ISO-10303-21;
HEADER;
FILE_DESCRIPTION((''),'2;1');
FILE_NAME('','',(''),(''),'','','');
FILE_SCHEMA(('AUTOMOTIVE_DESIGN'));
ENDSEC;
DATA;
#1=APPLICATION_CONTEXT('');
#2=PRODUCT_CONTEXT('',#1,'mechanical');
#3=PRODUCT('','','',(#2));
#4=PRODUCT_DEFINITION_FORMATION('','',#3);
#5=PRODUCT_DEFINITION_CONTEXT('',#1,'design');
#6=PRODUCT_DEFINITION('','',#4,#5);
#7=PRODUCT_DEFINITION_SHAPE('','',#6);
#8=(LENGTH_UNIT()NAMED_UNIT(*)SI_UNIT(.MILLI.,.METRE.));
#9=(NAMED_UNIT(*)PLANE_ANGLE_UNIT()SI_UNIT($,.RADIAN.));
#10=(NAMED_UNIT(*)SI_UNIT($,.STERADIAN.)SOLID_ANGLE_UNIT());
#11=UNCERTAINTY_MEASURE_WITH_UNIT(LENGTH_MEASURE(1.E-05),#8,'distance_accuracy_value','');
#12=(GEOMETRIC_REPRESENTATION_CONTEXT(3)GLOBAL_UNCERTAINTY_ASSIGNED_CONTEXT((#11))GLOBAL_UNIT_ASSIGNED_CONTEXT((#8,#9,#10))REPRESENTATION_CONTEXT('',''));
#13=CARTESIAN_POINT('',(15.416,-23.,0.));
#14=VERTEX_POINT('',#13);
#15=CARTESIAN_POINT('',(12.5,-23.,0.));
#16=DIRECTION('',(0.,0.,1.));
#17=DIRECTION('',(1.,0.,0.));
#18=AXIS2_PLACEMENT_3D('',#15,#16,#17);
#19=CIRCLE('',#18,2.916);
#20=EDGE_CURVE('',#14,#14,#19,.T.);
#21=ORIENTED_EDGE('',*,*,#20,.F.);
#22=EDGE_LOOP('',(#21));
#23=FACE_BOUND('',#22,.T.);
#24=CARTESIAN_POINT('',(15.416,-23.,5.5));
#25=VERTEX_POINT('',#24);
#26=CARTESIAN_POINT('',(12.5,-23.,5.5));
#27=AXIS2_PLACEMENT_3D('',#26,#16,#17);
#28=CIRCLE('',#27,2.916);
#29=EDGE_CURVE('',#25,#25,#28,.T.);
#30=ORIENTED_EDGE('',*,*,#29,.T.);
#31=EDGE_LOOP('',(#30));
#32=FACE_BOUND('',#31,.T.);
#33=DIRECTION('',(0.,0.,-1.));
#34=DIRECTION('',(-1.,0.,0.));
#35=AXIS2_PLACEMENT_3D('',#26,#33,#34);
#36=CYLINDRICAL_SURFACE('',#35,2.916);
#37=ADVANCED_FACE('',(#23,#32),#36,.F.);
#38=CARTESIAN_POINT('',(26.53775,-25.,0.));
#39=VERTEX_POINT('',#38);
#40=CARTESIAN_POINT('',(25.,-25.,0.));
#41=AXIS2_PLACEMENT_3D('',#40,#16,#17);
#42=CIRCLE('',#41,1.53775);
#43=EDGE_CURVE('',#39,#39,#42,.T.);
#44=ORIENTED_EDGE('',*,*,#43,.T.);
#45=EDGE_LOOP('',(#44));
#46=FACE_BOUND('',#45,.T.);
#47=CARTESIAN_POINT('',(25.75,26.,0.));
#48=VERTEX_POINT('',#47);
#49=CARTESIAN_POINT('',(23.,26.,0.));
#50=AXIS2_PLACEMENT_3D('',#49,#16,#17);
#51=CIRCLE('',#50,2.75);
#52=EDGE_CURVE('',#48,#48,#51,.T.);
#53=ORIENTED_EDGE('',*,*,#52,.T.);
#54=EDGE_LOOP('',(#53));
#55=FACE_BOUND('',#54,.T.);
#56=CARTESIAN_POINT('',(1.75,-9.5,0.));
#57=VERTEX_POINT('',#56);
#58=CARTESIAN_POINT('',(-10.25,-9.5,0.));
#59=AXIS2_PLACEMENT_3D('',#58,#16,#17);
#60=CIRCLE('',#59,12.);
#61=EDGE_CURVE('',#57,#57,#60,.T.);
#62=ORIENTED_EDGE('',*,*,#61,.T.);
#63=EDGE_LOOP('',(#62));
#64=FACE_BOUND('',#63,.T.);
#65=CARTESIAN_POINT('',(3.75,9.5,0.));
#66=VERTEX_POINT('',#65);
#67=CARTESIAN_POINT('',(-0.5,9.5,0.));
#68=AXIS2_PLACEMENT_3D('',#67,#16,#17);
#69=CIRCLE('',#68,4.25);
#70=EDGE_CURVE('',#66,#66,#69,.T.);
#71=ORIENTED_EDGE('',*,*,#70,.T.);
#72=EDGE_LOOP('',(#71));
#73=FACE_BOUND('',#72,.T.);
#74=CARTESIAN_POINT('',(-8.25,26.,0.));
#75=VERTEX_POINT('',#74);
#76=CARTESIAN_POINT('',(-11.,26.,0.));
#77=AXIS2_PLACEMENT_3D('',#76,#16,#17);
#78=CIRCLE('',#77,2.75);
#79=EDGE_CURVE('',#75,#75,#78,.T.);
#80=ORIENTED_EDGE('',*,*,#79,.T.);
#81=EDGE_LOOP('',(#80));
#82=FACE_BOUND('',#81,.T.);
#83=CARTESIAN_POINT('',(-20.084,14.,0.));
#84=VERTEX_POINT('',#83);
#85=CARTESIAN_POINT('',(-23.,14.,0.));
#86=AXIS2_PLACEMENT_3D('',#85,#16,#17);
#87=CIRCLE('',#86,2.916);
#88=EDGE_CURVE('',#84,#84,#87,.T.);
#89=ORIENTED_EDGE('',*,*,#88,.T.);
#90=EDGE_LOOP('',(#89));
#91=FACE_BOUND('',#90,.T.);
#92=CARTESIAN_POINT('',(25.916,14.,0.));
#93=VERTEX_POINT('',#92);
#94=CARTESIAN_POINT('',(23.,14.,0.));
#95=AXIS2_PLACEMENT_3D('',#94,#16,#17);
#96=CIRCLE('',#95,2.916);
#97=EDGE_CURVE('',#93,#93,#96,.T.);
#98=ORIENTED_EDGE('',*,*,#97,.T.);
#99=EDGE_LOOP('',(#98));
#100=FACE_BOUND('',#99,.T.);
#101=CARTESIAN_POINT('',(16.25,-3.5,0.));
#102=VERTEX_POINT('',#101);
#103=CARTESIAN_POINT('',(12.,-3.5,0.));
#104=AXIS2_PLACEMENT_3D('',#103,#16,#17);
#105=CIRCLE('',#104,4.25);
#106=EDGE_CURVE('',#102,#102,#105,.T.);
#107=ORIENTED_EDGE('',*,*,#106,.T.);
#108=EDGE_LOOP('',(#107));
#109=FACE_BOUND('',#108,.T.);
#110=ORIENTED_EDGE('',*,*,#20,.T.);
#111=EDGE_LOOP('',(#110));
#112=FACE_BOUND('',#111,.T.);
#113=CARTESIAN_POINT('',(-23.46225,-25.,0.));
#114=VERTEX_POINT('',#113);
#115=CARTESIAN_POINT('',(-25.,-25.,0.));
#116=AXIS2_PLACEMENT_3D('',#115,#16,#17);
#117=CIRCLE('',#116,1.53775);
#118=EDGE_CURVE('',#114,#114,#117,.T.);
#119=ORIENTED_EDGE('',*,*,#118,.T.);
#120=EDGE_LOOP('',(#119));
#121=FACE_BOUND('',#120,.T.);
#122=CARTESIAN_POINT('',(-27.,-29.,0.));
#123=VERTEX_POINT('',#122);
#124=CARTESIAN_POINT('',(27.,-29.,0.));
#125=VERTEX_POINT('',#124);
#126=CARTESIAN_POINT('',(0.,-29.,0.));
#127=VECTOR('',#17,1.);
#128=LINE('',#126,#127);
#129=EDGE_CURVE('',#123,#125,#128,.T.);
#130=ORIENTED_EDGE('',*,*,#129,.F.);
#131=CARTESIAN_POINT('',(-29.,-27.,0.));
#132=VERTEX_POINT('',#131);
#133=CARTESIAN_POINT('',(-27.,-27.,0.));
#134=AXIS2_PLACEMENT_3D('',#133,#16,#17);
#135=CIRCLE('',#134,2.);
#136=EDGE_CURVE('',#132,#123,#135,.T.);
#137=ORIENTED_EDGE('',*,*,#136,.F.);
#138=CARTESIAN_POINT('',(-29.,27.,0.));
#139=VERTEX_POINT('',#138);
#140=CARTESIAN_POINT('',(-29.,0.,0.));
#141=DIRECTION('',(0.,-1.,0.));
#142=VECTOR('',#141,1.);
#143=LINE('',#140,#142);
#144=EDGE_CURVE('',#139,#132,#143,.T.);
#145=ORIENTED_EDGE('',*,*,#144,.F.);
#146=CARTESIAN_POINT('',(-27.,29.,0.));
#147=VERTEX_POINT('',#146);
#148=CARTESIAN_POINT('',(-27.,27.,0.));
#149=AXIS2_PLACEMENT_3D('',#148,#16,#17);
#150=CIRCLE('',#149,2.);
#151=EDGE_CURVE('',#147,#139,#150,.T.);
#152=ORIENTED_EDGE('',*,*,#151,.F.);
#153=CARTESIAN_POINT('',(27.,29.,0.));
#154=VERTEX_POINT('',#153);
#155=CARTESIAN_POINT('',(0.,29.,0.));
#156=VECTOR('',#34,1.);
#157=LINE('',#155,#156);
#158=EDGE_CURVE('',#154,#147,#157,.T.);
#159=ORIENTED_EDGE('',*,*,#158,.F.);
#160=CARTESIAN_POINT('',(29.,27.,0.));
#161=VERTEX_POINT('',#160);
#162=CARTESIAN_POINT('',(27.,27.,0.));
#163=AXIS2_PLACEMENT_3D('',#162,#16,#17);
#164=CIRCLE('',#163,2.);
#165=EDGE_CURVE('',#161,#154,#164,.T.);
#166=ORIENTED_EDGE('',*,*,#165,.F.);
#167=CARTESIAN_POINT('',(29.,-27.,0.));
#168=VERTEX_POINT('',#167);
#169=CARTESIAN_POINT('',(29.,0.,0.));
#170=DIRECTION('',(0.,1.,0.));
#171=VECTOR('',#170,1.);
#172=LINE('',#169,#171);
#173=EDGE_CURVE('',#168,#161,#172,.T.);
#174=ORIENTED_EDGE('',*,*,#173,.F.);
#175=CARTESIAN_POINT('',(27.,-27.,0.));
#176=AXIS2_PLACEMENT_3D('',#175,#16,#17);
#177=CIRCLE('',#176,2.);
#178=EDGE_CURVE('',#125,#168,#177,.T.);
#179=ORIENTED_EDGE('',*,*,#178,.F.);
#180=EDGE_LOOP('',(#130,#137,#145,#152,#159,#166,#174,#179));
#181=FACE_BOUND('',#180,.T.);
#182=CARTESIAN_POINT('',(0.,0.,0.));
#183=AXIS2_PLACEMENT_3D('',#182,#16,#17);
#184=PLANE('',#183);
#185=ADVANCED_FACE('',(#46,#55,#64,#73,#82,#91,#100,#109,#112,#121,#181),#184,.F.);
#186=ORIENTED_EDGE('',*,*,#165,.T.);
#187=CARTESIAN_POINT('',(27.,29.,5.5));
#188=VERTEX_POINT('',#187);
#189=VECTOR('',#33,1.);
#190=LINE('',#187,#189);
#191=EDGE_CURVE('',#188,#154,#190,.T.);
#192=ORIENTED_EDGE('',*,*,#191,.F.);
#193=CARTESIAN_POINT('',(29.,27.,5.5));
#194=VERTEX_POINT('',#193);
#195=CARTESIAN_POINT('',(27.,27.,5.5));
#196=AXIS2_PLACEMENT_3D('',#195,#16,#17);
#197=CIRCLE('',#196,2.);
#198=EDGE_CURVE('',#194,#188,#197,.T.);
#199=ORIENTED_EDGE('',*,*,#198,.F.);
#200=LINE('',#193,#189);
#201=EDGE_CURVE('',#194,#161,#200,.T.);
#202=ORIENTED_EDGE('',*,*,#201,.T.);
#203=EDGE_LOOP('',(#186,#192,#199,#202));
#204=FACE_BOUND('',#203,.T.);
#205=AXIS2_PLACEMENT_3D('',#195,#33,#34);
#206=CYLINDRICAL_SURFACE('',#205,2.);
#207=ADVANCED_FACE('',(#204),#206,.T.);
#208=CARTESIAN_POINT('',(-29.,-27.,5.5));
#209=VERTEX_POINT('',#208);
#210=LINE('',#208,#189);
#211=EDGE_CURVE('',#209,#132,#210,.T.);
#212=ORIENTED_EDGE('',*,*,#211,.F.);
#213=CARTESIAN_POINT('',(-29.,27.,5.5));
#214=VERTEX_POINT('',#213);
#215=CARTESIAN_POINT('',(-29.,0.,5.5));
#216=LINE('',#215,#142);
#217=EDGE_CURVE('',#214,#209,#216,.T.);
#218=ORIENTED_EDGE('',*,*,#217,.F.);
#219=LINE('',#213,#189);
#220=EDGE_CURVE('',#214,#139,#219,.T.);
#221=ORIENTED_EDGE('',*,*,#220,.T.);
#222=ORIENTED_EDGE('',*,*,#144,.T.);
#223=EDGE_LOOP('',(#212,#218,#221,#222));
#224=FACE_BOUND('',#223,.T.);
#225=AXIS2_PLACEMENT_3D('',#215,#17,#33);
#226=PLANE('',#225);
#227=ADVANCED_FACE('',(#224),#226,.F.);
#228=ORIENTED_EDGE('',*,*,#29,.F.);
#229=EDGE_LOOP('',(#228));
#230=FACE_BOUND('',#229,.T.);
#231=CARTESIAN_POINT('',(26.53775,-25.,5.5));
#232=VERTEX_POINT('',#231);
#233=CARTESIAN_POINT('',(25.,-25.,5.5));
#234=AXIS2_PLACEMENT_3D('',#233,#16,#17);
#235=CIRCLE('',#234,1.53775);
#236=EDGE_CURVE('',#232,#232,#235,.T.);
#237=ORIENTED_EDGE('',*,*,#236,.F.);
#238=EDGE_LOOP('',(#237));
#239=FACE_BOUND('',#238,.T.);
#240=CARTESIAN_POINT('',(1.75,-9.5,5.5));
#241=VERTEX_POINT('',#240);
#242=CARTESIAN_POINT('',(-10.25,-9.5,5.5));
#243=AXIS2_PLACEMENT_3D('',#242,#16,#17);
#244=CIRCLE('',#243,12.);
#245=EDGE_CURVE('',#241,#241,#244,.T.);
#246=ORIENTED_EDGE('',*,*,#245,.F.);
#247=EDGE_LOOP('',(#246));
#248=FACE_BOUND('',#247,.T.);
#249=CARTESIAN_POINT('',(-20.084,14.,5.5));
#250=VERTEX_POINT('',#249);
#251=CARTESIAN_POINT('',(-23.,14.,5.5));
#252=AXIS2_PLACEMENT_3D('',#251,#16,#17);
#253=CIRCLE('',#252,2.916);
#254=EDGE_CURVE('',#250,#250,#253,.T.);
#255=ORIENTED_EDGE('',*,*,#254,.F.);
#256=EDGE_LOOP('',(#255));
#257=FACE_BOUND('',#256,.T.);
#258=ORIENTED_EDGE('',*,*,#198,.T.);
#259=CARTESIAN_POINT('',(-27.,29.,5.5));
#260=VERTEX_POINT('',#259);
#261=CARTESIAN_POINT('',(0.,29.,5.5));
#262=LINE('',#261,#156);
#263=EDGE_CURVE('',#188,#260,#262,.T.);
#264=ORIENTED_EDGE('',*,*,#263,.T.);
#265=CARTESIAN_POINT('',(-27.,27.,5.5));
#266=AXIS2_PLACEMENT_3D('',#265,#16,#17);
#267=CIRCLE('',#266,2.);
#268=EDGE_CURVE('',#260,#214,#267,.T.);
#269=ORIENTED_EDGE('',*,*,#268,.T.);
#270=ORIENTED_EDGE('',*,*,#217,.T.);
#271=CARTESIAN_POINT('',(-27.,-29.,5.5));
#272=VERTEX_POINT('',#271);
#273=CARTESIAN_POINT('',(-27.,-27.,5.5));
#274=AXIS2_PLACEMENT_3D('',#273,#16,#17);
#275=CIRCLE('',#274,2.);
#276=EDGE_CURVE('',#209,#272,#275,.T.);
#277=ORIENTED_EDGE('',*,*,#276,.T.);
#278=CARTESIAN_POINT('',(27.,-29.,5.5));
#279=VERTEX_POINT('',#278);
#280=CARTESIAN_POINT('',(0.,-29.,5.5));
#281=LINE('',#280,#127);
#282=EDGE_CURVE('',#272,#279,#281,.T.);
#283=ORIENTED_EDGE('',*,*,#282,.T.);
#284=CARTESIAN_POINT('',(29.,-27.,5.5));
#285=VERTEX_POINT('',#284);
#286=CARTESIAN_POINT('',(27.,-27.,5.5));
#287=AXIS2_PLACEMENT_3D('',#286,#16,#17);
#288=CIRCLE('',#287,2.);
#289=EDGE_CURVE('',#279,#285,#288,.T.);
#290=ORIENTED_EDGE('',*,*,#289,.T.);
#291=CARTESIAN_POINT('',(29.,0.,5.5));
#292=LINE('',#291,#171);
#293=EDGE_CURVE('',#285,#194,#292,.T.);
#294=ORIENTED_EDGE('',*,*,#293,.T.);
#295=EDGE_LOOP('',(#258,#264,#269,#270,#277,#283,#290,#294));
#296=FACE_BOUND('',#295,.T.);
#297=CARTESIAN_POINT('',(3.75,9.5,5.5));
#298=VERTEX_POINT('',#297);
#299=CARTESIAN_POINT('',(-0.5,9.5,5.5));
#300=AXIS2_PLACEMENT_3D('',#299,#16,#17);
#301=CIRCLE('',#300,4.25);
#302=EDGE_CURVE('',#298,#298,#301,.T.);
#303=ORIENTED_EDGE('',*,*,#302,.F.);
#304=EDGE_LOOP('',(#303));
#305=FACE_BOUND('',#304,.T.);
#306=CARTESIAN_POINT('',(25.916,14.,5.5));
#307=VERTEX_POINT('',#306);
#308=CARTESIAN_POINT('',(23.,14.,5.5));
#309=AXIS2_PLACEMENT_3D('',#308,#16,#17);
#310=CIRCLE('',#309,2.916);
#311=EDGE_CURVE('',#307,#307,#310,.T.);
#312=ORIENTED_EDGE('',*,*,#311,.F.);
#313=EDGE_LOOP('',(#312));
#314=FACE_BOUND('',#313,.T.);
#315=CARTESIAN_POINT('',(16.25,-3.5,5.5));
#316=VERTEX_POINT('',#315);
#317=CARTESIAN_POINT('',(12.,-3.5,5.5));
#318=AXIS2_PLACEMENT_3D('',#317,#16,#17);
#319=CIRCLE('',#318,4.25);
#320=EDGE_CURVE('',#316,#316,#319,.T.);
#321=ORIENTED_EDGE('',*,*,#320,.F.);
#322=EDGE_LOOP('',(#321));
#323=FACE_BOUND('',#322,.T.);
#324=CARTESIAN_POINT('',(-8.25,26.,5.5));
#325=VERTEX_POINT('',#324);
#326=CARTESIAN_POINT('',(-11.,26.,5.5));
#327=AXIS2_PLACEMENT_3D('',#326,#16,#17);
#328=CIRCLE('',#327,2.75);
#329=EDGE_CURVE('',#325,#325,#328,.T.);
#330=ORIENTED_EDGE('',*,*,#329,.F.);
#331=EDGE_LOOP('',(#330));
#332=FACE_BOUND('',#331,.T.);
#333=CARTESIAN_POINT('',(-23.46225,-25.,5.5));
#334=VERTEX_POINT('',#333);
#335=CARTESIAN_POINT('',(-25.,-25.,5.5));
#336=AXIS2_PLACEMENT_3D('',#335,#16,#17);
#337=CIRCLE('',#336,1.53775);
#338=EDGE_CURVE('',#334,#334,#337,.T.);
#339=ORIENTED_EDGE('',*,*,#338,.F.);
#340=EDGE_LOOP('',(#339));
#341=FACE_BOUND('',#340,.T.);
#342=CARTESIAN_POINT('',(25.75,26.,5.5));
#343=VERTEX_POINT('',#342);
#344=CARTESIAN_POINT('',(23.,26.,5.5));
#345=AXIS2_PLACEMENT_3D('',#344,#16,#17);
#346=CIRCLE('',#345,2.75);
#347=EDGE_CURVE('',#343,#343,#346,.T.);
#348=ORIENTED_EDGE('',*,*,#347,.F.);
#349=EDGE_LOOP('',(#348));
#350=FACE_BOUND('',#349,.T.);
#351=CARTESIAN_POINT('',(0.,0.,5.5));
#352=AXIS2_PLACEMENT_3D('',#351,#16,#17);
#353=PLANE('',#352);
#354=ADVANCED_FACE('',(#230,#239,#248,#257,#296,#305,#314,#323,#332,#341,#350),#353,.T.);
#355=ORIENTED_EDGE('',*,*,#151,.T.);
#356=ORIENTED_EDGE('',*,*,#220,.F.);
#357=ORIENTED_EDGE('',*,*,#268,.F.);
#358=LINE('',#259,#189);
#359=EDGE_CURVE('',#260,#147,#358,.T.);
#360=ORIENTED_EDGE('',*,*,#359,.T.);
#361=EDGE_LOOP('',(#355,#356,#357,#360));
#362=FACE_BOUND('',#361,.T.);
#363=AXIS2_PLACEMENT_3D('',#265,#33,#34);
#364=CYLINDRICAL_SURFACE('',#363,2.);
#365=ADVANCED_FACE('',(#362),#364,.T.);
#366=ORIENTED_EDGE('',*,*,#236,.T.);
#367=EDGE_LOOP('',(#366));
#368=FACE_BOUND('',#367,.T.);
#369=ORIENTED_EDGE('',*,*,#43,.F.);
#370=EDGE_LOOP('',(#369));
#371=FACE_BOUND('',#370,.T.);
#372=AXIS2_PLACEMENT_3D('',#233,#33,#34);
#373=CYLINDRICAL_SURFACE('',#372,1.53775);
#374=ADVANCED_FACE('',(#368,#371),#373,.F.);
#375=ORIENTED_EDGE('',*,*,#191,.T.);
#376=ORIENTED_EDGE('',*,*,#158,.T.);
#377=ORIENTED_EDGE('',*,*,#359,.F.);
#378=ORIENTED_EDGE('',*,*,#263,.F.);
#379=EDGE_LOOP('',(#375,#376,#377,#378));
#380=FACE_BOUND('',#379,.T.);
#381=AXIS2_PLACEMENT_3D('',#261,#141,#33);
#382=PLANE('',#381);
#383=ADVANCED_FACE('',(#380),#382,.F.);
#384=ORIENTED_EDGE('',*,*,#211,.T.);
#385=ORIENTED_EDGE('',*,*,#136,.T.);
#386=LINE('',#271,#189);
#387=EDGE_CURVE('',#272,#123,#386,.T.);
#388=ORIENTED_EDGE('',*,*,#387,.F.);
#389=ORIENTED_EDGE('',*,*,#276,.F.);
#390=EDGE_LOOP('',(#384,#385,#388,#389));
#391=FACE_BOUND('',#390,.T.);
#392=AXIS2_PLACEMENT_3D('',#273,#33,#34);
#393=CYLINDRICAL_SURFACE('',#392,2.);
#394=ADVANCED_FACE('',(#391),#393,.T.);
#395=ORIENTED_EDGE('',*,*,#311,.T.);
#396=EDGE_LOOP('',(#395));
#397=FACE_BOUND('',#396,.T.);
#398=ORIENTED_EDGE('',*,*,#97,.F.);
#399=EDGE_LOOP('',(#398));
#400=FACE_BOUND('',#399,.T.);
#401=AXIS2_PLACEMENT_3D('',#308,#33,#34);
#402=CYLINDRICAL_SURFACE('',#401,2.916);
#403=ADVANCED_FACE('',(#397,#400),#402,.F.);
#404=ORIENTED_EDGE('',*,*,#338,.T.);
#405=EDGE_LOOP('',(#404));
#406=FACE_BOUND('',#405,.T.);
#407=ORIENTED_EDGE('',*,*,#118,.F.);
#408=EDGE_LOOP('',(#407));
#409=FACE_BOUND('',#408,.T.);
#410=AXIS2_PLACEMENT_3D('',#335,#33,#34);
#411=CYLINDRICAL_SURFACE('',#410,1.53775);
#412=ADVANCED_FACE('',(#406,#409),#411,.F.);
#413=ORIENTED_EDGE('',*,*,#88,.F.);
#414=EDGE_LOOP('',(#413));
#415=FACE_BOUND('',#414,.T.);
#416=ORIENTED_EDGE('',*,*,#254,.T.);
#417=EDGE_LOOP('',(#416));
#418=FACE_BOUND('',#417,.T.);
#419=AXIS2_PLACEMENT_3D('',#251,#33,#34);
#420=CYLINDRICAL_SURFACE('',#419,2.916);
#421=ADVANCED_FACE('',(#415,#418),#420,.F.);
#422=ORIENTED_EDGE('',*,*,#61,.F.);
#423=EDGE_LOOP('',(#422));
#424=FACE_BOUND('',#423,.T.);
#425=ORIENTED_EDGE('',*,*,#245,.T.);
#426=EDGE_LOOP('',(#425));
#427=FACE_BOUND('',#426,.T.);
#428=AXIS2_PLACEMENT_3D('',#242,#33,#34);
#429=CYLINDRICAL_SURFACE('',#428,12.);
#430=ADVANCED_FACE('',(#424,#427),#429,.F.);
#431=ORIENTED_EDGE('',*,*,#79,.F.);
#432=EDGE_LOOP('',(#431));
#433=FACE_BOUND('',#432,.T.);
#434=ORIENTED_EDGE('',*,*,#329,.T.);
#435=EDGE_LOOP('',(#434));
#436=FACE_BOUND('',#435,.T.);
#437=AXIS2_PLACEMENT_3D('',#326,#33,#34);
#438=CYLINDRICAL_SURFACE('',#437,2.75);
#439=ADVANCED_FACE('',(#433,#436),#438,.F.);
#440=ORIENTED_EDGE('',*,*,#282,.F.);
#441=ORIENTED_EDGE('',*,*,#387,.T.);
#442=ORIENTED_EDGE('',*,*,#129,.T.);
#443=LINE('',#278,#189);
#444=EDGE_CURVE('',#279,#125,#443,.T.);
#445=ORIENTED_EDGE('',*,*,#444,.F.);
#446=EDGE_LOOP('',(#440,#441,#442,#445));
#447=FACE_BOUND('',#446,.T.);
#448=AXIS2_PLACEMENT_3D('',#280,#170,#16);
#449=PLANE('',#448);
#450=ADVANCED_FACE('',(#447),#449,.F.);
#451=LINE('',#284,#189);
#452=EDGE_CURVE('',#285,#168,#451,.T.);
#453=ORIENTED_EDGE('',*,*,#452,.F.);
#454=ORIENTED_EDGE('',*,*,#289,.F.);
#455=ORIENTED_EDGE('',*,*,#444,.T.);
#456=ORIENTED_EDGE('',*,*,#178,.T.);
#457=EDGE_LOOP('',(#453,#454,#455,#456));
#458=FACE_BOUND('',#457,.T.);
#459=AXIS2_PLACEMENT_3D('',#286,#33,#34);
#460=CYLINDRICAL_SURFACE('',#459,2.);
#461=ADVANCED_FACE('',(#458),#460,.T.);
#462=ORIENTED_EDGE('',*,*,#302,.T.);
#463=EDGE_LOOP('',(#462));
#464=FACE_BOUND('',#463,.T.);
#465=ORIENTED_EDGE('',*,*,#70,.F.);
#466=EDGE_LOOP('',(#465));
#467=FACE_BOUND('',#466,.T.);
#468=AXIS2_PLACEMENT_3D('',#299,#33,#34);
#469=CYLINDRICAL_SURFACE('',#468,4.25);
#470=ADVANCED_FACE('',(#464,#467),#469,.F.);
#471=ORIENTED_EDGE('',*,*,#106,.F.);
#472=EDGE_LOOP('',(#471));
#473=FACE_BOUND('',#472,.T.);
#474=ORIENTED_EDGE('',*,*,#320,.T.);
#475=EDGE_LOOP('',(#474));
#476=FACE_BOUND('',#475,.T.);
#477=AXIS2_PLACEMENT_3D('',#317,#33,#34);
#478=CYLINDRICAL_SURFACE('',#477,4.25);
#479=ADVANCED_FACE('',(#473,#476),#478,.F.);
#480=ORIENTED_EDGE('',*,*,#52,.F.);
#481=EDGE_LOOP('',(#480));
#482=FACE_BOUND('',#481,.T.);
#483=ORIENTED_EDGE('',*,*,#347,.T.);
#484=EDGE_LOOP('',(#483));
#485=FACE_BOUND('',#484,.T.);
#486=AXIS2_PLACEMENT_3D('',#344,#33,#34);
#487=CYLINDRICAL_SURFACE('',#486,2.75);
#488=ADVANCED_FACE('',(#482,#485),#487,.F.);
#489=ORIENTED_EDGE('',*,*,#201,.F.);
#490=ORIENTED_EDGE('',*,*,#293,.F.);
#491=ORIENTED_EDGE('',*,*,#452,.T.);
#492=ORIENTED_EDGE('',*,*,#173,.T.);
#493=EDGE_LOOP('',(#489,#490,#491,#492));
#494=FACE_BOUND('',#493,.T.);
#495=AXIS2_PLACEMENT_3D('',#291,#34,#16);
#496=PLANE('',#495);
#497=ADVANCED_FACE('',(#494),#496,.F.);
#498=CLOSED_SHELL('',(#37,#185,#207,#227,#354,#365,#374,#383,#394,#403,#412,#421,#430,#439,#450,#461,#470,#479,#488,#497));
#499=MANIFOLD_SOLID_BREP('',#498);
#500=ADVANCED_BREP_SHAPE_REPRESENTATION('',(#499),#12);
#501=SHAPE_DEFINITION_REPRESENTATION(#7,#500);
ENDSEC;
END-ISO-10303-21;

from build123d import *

# Parameters (mm, degrees)
SKETCH1_R           = 4.25
SKETCH1_R_2         = 1.53775
SKETCH1_R_3         = 2.916
SKETCH1_R_4         = 2.75
SKETCH1_R_5         = 12
BOSS_EXTRUDE1_DEPTH = 5.5


with BuildPart() as part:
    # Sketch1 → Boss-Extrude1 (new body)
    with BuildSketch(Plane.XY):
        with BuildLine():
            Line((29, -27), (29, 27))
            ThreePointArc((29, 27), (28.414213562, 28.414213562), (27, 29))
            Line((27, 29), (-27, 29))
            ThreePointArc((-27, 29), (-28.414213562, 28.414213562), (-29, 27))
            Line((-29, 27), (-29, -27))
            ThreePointArc((-29, -27), (-28.414213562, -28.414213562), (-27, -29))
            Line((-27, -29), (27, -29))
            ThreePointArc((27, -29), (28.414213562, -28.414213562), (29, -27))
        make_face()
        with Locations((-0.5, 9.5)):
            Circle(SKETCH1_R, mode=Mode.SUBTRACT)
        with Locations((25, -25)):
            Circle(SKETCH1_R_2, mode=Mode.SUBTRACT)
        with Locations((12.5, -23)):
            Circle(SKETCH1_R_3, mode=Mode.SUBTRACT)
        with Locations((-11, 26)):
            Circle(SKETCH1_R_4, mode=Mode.SUBTRACT)
        with Locations((-10.25, -9.5)):
            Circle(SKETCH1_R_5, mode=Mode.SUBTRACT)
        with Locations((23, 26)):
            Circle(SKETCH1_R_4, mode=Mode.SUBTRACT)
        with Locations((23, 14)):
            Circle(SKETCH1_R_3, mode=Mode.SUBTRACT)
        with Locations((-23, 14)):
            Circle(SKETCH1_R_3, mode=Mode.SUBTRACT)
        with Locations((-25, -25)):
            Circle(SKETCH1_R_2, mode=Mode.SUBTRACT)
        with Locations((12, -3.5)):
            Circle(SKETCH1_R, mode=Mode.SUBTRACT)
    extrude(amount=BOSS_EXTRUDE1_DEPTH)


solid = part.part
